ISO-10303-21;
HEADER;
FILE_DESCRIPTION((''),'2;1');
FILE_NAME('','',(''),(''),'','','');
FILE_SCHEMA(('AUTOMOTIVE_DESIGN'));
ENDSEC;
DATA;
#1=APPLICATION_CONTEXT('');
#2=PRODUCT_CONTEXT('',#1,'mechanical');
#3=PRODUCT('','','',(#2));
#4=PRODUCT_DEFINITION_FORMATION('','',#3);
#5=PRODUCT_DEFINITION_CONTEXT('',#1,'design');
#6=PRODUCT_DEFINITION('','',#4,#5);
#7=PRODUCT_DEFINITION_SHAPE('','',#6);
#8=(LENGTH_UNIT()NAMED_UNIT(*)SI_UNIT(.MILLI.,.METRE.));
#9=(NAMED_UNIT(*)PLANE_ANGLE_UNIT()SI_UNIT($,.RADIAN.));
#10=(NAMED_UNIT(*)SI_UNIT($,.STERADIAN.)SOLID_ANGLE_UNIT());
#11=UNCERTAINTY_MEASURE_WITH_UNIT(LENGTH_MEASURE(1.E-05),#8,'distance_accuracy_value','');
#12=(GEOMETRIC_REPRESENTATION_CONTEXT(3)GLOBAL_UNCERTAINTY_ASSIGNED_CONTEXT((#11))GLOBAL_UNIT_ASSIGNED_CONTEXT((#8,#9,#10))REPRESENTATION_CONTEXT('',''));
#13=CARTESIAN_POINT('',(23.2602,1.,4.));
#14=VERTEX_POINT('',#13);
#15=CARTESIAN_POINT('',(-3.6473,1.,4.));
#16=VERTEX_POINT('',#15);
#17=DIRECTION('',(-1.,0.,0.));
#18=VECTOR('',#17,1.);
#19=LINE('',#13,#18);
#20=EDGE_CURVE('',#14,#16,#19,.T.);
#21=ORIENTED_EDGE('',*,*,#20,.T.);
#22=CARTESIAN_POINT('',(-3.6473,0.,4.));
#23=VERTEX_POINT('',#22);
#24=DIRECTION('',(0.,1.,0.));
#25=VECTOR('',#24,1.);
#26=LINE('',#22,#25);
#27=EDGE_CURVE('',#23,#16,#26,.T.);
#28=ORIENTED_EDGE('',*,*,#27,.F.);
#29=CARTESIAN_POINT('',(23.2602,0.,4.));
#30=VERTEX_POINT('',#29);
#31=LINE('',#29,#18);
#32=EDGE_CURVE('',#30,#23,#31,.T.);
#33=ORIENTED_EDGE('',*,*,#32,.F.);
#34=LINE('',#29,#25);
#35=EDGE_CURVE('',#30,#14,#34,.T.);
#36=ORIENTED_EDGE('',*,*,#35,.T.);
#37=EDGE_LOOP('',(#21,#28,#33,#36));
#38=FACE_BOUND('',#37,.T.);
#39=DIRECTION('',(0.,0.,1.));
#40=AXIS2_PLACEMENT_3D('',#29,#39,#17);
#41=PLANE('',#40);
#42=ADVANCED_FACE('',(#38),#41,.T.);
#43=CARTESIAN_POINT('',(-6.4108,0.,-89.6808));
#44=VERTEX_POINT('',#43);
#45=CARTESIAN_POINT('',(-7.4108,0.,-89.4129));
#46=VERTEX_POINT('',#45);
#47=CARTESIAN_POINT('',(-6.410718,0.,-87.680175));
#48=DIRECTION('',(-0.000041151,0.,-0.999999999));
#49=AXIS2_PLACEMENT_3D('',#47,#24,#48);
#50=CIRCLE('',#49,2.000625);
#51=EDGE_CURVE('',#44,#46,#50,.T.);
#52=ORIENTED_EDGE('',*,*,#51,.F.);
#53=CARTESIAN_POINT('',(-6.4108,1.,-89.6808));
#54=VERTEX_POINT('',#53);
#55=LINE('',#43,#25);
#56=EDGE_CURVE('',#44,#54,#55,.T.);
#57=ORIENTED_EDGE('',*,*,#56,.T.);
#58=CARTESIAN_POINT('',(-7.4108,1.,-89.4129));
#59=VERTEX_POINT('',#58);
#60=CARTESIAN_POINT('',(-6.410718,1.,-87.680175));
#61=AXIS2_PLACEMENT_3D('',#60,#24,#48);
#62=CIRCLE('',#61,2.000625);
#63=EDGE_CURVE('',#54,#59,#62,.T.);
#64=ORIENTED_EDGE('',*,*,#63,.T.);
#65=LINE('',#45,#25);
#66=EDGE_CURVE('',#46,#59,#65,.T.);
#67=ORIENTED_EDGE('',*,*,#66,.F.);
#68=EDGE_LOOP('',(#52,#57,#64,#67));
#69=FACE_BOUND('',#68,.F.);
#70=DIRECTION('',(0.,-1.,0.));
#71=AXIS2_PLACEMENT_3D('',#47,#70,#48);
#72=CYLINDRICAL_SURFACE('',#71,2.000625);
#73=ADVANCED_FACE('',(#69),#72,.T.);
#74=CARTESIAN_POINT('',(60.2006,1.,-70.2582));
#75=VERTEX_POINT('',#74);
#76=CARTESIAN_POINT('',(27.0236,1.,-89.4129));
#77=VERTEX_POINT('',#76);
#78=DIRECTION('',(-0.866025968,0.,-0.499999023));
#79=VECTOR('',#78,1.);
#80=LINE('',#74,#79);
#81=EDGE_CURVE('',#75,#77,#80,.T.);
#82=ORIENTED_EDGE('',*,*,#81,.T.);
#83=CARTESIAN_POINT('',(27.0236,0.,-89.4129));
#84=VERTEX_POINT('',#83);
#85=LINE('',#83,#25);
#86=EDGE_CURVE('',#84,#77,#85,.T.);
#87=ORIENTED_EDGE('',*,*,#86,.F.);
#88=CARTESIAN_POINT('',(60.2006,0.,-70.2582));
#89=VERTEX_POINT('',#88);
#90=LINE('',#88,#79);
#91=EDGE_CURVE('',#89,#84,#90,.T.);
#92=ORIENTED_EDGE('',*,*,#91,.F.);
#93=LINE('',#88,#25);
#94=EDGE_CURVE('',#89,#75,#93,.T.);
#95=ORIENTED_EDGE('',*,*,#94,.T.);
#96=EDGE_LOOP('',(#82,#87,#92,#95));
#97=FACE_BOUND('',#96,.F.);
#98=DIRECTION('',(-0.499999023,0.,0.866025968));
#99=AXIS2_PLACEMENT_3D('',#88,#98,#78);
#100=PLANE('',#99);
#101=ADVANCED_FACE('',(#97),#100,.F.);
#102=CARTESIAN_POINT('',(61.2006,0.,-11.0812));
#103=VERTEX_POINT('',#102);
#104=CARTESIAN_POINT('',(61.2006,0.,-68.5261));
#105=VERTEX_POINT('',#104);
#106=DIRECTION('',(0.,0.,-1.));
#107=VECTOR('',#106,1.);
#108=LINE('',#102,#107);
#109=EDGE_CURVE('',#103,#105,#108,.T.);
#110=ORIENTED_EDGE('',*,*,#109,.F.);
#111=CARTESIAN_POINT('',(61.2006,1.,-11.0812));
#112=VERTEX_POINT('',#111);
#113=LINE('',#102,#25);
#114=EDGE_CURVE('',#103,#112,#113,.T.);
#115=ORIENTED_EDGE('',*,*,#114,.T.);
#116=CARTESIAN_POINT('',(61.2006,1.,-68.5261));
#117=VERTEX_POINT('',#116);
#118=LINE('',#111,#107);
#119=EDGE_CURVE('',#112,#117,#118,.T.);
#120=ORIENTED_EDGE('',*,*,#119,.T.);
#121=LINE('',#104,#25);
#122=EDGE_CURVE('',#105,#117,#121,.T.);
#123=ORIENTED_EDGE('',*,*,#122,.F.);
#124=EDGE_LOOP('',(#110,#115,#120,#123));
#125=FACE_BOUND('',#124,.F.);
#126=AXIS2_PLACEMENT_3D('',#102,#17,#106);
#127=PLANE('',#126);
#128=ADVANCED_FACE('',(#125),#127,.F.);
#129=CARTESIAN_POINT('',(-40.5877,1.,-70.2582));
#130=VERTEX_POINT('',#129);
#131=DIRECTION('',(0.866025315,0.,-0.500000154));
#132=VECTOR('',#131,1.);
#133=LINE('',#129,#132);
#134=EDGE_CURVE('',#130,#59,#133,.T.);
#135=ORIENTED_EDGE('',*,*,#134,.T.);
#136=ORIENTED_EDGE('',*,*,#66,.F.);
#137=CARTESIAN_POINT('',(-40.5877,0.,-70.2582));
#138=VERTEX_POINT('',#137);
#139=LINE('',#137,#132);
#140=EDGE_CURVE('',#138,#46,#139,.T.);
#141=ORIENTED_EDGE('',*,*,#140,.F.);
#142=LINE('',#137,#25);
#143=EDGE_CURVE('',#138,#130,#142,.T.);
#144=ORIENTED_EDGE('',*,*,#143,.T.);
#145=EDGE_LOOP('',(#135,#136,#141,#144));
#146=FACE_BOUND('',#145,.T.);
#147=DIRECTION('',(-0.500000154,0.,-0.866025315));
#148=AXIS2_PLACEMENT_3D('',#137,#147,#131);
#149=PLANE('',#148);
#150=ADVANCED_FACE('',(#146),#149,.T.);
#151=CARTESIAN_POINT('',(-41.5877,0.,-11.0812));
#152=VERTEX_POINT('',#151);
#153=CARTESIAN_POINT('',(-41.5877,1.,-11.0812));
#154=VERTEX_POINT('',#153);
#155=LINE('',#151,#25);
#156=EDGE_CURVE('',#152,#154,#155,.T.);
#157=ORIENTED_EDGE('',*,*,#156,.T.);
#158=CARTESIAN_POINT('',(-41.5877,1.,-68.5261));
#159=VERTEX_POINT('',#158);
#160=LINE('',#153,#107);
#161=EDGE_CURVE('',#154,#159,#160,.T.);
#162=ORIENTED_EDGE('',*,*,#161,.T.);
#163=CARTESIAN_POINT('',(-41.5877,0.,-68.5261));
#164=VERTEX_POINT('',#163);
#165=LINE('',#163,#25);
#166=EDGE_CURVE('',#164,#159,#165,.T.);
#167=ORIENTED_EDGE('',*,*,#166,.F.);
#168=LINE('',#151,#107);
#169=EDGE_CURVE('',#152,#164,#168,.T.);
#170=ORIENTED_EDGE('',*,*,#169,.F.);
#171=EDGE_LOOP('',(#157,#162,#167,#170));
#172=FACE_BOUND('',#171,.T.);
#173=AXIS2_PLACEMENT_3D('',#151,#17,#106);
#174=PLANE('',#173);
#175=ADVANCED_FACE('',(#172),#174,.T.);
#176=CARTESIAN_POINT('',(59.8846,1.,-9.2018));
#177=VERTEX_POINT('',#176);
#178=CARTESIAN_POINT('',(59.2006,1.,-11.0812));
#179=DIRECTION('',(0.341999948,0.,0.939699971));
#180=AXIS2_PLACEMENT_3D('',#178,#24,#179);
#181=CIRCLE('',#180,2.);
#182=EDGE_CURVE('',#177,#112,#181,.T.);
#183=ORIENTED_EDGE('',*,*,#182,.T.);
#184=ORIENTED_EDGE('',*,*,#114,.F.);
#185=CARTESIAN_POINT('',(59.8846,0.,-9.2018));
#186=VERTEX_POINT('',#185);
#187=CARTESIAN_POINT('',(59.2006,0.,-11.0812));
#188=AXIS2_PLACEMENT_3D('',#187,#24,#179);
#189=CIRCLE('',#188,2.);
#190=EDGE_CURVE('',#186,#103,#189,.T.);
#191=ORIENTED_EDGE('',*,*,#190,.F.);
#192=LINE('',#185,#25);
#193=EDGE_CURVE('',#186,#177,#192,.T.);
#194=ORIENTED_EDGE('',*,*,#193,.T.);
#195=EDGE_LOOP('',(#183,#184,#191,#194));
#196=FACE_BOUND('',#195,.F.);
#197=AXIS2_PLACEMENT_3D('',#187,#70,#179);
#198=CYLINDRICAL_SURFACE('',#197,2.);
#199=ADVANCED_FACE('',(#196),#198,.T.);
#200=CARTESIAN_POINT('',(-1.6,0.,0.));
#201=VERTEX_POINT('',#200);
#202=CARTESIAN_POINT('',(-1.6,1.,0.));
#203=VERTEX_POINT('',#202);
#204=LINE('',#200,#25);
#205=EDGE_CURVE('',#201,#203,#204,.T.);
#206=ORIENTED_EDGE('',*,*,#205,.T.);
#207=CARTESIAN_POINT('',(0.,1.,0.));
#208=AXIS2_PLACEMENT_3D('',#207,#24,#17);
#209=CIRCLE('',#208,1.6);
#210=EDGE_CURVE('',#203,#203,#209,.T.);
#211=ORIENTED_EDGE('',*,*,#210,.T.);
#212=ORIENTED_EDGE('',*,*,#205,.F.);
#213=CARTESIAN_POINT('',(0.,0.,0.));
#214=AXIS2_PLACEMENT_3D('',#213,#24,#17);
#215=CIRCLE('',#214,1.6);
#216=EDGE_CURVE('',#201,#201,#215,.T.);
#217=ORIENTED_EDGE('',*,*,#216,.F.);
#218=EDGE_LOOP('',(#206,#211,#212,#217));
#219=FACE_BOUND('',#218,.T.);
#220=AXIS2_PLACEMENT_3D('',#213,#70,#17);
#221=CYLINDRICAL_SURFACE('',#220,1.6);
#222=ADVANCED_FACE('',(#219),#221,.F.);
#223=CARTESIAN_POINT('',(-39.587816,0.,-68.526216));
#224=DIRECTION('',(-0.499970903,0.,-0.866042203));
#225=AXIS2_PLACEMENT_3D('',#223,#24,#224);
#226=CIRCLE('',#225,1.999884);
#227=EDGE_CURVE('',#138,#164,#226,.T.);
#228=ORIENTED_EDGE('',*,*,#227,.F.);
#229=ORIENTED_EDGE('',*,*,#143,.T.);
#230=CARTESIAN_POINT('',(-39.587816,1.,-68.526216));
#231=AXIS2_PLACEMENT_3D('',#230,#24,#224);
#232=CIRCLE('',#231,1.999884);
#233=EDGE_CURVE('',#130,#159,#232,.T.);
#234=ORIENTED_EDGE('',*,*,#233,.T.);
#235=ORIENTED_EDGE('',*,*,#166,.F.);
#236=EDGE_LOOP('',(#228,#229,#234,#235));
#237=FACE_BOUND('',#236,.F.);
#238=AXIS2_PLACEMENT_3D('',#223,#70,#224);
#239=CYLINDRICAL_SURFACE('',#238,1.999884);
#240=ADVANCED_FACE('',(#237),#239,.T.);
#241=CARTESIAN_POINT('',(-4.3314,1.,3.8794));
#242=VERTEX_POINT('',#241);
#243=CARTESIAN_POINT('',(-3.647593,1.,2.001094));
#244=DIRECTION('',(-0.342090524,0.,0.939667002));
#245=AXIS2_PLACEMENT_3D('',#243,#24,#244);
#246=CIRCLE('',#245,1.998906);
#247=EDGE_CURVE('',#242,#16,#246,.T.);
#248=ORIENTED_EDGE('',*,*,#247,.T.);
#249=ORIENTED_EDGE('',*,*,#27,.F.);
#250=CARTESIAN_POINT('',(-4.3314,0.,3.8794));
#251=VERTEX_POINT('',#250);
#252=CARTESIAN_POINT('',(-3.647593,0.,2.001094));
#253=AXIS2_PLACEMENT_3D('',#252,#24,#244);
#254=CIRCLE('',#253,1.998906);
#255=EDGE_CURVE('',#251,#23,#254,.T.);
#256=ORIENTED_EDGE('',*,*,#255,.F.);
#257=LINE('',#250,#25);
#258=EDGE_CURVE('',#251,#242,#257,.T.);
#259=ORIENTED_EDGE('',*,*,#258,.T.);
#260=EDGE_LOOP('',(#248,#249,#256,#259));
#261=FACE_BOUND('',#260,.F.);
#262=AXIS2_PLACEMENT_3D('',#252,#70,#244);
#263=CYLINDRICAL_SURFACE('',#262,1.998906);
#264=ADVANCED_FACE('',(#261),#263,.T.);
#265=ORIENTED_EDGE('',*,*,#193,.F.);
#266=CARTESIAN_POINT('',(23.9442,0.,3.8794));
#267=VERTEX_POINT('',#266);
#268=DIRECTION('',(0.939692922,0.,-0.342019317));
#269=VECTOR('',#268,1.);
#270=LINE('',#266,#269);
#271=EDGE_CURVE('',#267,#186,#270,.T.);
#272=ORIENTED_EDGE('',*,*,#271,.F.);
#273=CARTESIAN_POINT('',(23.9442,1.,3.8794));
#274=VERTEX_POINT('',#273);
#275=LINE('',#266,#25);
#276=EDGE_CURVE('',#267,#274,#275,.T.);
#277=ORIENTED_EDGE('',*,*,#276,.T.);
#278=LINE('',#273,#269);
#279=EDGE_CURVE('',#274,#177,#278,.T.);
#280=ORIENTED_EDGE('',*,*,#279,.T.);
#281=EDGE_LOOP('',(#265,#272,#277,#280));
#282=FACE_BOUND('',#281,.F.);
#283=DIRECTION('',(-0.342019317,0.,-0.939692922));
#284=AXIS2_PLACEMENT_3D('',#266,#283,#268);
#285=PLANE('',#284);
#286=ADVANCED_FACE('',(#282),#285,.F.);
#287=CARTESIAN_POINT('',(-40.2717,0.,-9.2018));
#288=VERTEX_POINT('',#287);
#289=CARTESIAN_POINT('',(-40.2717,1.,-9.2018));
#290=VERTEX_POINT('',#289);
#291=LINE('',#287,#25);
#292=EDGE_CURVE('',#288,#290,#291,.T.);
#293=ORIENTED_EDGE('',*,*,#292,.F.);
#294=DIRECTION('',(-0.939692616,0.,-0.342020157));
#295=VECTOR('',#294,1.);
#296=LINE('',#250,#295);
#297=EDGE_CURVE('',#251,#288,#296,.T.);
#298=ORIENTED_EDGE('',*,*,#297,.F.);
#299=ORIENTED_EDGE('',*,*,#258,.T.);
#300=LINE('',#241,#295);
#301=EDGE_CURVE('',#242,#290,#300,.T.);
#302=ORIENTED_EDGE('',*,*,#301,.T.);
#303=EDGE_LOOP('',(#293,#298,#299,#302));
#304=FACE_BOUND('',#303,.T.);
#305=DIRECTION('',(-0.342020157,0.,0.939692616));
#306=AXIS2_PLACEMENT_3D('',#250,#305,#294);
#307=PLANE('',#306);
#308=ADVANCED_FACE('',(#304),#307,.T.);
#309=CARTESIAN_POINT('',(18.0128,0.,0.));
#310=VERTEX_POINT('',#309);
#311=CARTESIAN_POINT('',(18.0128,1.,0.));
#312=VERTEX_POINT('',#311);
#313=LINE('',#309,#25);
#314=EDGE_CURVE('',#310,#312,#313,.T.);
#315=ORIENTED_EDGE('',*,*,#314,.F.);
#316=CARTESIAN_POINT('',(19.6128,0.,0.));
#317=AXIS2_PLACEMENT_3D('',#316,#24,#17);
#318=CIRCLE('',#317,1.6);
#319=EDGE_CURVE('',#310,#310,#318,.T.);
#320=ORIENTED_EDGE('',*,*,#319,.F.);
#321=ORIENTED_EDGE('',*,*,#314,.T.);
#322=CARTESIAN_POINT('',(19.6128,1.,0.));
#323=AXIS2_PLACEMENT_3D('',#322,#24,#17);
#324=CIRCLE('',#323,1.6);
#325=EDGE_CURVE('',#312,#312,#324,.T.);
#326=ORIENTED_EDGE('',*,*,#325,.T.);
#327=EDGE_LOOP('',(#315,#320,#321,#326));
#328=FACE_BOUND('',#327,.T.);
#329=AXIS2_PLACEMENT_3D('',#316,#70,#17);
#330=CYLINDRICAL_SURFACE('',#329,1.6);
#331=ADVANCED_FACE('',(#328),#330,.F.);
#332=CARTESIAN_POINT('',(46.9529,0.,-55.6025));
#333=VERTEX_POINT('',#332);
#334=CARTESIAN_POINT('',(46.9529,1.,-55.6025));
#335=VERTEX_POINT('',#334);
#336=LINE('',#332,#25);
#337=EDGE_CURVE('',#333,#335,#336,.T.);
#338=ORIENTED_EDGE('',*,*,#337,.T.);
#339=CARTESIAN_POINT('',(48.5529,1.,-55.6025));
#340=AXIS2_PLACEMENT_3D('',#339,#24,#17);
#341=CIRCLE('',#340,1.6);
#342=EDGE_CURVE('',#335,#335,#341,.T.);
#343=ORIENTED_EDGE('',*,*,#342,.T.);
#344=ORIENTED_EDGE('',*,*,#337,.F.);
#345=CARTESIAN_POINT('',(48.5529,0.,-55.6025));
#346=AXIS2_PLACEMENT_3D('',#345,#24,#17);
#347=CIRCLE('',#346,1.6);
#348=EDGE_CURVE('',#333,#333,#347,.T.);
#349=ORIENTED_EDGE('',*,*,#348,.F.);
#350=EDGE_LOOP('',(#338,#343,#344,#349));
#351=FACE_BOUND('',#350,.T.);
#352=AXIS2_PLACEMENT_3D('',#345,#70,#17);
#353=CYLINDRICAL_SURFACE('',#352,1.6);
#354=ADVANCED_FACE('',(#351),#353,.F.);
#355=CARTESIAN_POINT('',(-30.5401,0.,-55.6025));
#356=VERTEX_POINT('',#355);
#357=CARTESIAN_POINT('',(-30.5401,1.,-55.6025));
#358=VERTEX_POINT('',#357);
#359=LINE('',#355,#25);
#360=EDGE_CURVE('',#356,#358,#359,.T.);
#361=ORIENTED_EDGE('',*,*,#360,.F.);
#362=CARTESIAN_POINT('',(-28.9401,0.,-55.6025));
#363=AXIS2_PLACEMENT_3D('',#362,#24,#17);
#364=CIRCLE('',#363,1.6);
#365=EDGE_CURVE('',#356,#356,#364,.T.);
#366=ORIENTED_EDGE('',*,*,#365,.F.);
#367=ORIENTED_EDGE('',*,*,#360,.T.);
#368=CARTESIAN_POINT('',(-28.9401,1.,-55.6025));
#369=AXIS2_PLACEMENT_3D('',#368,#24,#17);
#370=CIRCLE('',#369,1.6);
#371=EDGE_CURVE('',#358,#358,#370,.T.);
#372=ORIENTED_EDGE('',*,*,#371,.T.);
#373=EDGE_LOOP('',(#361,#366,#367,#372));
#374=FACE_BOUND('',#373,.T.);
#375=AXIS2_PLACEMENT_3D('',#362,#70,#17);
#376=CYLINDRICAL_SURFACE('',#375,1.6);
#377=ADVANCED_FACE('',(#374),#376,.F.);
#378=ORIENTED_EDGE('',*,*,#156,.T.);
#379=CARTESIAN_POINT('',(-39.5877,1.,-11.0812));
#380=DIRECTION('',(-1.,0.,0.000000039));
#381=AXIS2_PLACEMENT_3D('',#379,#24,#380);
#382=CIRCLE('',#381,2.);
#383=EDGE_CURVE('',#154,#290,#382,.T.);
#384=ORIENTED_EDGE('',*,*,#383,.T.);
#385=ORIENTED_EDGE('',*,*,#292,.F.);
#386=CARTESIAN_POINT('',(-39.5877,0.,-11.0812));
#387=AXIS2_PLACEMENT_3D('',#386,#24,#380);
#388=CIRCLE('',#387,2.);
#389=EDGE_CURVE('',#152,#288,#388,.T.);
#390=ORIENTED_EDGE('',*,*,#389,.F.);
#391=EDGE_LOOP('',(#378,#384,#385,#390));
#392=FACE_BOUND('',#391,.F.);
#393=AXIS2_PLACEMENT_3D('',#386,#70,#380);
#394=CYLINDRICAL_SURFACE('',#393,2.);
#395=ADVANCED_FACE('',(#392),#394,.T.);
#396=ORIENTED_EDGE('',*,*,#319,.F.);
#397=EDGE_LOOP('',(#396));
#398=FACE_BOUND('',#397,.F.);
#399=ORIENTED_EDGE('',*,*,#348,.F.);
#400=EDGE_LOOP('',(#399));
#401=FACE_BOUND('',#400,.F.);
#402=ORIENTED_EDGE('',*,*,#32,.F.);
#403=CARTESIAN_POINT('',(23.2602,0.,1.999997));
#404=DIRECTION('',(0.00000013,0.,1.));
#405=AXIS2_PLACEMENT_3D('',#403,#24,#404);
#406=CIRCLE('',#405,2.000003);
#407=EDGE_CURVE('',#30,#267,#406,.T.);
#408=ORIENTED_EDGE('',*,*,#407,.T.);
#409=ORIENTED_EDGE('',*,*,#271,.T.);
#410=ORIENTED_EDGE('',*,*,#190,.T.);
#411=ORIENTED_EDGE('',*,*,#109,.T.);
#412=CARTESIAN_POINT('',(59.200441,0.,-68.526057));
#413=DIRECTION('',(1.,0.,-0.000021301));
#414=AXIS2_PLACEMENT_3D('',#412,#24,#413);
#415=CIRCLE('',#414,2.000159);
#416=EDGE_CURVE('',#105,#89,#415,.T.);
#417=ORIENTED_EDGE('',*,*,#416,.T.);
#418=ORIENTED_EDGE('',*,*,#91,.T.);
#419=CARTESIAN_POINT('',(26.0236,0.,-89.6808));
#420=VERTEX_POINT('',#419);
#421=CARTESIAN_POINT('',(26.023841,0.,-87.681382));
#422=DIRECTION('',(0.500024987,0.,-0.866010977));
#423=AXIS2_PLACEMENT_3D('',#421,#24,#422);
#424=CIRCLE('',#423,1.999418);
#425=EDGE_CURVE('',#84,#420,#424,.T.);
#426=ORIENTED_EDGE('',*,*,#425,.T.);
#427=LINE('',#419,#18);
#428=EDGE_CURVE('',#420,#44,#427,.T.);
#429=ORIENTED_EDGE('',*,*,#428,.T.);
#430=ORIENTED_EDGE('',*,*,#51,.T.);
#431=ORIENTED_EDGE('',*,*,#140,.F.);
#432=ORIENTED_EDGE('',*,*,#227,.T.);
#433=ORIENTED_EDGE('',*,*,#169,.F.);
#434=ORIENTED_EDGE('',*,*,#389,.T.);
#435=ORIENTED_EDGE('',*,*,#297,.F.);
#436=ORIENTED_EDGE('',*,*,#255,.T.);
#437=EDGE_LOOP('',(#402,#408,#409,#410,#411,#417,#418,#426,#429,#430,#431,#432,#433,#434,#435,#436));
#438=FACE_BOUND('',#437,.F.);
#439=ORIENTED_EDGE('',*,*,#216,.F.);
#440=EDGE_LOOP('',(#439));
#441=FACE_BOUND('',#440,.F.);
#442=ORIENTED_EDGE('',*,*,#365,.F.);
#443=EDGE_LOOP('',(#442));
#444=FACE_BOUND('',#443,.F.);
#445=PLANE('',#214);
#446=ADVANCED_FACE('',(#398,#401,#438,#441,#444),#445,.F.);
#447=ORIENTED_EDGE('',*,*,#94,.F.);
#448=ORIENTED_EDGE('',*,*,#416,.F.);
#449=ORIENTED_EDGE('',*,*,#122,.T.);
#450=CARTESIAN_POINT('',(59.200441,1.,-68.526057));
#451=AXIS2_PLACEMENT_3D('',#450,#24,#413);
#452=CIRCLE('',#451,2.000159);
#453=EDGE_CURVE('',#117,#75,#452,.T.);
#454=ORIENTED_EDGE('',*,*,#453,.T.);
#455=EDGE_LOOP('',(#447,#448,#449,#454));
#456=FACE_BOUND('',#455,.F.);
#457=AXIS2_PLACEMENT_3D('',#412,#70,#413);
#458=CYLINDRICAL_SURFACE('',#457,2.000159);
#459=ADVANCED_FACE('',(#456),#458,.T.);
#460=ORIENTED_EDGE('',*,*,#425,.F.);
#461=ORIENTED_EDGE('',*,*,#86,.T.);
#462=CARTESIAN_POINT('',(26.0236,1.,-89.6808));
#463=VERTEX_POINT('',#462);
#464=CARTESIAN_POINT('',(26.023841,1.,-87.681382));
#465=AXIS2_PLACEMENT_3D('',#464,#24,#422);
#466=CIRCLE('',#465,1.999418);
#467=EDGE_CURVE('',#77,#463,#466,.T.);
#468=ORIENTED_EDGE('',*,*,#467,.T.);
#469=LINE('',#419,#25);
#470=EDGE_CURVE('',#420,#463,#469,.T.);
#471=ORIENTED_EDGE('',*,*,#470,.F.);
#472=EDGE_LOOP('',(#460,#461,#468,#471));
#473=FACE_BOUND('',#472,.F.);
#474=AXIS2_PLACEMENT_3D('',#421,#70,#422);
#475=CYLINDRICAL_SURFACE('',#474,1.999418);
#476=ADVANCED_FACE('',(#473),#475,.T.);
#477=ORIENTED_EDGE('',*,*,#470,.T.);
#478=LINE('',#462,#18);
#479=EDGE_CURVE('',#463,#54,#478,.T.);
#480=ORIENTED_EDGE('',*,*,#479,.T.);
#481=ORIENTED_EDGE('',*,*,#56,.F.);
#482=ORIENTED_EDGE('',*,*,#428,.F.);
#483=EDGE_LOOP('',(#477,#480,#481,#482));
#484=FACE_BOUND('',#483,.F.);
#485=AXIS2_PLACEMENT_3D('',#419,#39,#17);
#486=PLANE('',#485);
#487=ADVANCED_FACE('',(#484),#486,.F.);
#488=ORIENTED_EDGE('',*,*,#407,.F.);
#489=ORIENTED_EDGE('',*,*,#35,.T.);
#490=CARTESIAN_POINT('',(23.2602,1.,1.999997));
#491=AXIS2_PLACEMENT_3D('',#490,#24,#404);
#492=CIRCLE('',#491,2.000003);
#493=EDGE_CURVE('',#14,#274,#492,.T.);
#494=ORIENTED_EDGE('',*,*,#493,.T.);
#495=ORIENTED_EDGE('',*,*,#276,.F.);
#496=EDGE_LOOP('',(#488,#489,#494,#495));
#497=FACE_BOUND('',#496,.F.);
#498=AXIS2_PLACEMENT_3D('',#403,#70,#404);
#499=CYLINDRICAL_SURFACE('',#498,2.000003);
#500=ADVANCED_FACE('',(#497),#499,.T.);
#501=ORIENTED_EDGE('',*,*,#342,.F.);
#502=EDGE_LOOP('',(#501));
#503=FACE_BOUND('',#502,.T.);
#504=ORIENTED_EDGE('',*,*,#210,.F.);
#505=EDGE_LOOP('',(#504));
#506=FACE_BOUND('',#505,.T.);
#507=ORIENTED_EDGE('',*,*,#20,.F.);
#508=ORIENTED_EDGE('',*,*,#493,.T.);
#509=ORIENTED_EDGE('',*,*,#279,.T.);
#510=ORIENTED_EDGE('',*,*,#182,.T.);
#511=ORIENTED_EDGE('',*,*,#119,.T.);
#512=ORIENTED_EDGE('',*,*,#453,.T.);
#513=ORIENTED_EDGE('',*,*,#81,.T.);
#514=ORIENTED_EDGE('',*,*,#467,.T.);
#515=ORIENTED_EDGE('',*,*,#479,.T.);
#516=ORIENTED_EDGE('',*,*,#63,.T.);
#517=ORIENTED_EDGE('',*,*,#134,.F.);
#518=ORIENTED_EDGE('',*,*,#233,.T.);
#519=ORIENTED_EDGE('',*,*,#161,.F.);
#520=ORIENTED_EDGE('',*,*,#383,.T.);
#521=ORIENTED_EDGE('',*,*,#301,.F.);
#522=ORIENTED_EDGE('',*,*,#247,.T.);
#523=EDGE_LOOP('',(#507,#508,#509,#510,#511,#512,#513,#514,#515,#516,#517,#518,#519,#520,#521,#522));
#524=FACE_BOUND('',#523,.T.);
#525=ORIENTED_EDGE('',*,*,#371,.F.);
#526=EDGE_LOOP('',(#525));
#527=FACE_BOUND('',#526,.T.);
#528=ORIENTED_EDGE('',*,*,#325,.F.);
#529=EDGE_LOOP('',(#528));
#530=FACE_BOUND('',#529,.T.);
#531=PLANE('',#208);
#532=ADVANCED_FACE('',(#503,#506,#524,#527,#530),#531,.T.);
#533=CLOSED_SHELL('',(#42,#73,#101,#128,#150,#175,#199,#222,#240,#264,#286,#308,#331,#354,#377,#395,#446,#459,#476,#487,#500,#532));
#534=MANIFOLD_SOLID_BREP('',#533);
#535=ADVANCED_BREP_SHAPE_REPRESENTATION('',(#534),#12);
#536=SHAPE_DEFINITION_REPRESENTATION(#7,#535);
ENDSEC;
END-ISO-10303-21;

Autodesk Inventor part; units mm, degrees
ref_plane "YZ Plane" through (0, 0, 0) normal (1, 0, 0) x (0, 1, 0)
ref_plane "XZ Plane" through (0, 0, 0) normal (0, 1, 0) x (-1, 0, 0)
ref_plane "XY Plane" through (0, 0, 0) normal (0, 0, 1) x (1, 0, 0)
sketch "Sketch1" plane through (0, 0, 0) normal (0, 1, 0) x (-1, 0, 0)
  circle A0 centre (-19.6128, 0) radius 1.6
  circle A1 centre (0, 0) radius 1.6
  circle A2 centre (-48.5529, -55.6025) radius 1.6
  circle A3 centre (28.9401, -55.6025) radius 1.6
  line L0 (-23.9442, 3.8794) -> (-59.8846, -9.2018)
  line L1 (-61.2006, -11.0812) -> (-61.2006, -68.5261)
  line L2 (-60.2006, -70.2582) -> (-27.0236, -89.4129)
  line L3 (4.3314, 3.8794) -> (40.2717, -9.2018)
  line L4 (41.5877, -11.0812) -> (41.5877, -68.5261)
  line L5 (40.5877, -70.2582) -> (7.4108, -89.4129)
  line L6 (-26.0236, -89.6808) -> (6.4108, -89.6808)
  line L7 (-23.2602, 4) -> (3.6473, 4)
  arc A4 (-23.2602, 4) -> (-23.9442, 3.8794) centre (-23.2602, 2) ccw
  arc A5 (4.3314, 3.8794) -> (3.6473, 4) centre (3.6473, 2) ccw
  arc A6 (41.5877, -11.0812) -> (40.2717, -9.2018) centre (39.5877, -11.0812) ccw
  arc A7 (40.5877, -70.2582) -> (41.5877, -68.5261) centre (39.5877, -68.5261) ccw
  arc A8 (6.4108, -89.6808) -> (7.4108, -89.4129) centre (6.4108, -87.6808) ccw
  arc A9 (-27.0236, -89.4129) -> (-26.0236, -89.6808) centre (-26.0236, -87.6808) ccw
  arc A10 (-61.2006, -68.5261) -> (-60.2006, -70.2582) centre (-59.2006, -68.5261) ccw
  arc A11 (-59.8846, -9.2018) -> (-61.2006, -11.0812) centre (-59.2006, -11.0812) ccw
extrude "Extrusion1" add sketch "Sketch1" along normal blind 1
properties part number "Middle Plate Veroboard" material "ABS Plastic"
